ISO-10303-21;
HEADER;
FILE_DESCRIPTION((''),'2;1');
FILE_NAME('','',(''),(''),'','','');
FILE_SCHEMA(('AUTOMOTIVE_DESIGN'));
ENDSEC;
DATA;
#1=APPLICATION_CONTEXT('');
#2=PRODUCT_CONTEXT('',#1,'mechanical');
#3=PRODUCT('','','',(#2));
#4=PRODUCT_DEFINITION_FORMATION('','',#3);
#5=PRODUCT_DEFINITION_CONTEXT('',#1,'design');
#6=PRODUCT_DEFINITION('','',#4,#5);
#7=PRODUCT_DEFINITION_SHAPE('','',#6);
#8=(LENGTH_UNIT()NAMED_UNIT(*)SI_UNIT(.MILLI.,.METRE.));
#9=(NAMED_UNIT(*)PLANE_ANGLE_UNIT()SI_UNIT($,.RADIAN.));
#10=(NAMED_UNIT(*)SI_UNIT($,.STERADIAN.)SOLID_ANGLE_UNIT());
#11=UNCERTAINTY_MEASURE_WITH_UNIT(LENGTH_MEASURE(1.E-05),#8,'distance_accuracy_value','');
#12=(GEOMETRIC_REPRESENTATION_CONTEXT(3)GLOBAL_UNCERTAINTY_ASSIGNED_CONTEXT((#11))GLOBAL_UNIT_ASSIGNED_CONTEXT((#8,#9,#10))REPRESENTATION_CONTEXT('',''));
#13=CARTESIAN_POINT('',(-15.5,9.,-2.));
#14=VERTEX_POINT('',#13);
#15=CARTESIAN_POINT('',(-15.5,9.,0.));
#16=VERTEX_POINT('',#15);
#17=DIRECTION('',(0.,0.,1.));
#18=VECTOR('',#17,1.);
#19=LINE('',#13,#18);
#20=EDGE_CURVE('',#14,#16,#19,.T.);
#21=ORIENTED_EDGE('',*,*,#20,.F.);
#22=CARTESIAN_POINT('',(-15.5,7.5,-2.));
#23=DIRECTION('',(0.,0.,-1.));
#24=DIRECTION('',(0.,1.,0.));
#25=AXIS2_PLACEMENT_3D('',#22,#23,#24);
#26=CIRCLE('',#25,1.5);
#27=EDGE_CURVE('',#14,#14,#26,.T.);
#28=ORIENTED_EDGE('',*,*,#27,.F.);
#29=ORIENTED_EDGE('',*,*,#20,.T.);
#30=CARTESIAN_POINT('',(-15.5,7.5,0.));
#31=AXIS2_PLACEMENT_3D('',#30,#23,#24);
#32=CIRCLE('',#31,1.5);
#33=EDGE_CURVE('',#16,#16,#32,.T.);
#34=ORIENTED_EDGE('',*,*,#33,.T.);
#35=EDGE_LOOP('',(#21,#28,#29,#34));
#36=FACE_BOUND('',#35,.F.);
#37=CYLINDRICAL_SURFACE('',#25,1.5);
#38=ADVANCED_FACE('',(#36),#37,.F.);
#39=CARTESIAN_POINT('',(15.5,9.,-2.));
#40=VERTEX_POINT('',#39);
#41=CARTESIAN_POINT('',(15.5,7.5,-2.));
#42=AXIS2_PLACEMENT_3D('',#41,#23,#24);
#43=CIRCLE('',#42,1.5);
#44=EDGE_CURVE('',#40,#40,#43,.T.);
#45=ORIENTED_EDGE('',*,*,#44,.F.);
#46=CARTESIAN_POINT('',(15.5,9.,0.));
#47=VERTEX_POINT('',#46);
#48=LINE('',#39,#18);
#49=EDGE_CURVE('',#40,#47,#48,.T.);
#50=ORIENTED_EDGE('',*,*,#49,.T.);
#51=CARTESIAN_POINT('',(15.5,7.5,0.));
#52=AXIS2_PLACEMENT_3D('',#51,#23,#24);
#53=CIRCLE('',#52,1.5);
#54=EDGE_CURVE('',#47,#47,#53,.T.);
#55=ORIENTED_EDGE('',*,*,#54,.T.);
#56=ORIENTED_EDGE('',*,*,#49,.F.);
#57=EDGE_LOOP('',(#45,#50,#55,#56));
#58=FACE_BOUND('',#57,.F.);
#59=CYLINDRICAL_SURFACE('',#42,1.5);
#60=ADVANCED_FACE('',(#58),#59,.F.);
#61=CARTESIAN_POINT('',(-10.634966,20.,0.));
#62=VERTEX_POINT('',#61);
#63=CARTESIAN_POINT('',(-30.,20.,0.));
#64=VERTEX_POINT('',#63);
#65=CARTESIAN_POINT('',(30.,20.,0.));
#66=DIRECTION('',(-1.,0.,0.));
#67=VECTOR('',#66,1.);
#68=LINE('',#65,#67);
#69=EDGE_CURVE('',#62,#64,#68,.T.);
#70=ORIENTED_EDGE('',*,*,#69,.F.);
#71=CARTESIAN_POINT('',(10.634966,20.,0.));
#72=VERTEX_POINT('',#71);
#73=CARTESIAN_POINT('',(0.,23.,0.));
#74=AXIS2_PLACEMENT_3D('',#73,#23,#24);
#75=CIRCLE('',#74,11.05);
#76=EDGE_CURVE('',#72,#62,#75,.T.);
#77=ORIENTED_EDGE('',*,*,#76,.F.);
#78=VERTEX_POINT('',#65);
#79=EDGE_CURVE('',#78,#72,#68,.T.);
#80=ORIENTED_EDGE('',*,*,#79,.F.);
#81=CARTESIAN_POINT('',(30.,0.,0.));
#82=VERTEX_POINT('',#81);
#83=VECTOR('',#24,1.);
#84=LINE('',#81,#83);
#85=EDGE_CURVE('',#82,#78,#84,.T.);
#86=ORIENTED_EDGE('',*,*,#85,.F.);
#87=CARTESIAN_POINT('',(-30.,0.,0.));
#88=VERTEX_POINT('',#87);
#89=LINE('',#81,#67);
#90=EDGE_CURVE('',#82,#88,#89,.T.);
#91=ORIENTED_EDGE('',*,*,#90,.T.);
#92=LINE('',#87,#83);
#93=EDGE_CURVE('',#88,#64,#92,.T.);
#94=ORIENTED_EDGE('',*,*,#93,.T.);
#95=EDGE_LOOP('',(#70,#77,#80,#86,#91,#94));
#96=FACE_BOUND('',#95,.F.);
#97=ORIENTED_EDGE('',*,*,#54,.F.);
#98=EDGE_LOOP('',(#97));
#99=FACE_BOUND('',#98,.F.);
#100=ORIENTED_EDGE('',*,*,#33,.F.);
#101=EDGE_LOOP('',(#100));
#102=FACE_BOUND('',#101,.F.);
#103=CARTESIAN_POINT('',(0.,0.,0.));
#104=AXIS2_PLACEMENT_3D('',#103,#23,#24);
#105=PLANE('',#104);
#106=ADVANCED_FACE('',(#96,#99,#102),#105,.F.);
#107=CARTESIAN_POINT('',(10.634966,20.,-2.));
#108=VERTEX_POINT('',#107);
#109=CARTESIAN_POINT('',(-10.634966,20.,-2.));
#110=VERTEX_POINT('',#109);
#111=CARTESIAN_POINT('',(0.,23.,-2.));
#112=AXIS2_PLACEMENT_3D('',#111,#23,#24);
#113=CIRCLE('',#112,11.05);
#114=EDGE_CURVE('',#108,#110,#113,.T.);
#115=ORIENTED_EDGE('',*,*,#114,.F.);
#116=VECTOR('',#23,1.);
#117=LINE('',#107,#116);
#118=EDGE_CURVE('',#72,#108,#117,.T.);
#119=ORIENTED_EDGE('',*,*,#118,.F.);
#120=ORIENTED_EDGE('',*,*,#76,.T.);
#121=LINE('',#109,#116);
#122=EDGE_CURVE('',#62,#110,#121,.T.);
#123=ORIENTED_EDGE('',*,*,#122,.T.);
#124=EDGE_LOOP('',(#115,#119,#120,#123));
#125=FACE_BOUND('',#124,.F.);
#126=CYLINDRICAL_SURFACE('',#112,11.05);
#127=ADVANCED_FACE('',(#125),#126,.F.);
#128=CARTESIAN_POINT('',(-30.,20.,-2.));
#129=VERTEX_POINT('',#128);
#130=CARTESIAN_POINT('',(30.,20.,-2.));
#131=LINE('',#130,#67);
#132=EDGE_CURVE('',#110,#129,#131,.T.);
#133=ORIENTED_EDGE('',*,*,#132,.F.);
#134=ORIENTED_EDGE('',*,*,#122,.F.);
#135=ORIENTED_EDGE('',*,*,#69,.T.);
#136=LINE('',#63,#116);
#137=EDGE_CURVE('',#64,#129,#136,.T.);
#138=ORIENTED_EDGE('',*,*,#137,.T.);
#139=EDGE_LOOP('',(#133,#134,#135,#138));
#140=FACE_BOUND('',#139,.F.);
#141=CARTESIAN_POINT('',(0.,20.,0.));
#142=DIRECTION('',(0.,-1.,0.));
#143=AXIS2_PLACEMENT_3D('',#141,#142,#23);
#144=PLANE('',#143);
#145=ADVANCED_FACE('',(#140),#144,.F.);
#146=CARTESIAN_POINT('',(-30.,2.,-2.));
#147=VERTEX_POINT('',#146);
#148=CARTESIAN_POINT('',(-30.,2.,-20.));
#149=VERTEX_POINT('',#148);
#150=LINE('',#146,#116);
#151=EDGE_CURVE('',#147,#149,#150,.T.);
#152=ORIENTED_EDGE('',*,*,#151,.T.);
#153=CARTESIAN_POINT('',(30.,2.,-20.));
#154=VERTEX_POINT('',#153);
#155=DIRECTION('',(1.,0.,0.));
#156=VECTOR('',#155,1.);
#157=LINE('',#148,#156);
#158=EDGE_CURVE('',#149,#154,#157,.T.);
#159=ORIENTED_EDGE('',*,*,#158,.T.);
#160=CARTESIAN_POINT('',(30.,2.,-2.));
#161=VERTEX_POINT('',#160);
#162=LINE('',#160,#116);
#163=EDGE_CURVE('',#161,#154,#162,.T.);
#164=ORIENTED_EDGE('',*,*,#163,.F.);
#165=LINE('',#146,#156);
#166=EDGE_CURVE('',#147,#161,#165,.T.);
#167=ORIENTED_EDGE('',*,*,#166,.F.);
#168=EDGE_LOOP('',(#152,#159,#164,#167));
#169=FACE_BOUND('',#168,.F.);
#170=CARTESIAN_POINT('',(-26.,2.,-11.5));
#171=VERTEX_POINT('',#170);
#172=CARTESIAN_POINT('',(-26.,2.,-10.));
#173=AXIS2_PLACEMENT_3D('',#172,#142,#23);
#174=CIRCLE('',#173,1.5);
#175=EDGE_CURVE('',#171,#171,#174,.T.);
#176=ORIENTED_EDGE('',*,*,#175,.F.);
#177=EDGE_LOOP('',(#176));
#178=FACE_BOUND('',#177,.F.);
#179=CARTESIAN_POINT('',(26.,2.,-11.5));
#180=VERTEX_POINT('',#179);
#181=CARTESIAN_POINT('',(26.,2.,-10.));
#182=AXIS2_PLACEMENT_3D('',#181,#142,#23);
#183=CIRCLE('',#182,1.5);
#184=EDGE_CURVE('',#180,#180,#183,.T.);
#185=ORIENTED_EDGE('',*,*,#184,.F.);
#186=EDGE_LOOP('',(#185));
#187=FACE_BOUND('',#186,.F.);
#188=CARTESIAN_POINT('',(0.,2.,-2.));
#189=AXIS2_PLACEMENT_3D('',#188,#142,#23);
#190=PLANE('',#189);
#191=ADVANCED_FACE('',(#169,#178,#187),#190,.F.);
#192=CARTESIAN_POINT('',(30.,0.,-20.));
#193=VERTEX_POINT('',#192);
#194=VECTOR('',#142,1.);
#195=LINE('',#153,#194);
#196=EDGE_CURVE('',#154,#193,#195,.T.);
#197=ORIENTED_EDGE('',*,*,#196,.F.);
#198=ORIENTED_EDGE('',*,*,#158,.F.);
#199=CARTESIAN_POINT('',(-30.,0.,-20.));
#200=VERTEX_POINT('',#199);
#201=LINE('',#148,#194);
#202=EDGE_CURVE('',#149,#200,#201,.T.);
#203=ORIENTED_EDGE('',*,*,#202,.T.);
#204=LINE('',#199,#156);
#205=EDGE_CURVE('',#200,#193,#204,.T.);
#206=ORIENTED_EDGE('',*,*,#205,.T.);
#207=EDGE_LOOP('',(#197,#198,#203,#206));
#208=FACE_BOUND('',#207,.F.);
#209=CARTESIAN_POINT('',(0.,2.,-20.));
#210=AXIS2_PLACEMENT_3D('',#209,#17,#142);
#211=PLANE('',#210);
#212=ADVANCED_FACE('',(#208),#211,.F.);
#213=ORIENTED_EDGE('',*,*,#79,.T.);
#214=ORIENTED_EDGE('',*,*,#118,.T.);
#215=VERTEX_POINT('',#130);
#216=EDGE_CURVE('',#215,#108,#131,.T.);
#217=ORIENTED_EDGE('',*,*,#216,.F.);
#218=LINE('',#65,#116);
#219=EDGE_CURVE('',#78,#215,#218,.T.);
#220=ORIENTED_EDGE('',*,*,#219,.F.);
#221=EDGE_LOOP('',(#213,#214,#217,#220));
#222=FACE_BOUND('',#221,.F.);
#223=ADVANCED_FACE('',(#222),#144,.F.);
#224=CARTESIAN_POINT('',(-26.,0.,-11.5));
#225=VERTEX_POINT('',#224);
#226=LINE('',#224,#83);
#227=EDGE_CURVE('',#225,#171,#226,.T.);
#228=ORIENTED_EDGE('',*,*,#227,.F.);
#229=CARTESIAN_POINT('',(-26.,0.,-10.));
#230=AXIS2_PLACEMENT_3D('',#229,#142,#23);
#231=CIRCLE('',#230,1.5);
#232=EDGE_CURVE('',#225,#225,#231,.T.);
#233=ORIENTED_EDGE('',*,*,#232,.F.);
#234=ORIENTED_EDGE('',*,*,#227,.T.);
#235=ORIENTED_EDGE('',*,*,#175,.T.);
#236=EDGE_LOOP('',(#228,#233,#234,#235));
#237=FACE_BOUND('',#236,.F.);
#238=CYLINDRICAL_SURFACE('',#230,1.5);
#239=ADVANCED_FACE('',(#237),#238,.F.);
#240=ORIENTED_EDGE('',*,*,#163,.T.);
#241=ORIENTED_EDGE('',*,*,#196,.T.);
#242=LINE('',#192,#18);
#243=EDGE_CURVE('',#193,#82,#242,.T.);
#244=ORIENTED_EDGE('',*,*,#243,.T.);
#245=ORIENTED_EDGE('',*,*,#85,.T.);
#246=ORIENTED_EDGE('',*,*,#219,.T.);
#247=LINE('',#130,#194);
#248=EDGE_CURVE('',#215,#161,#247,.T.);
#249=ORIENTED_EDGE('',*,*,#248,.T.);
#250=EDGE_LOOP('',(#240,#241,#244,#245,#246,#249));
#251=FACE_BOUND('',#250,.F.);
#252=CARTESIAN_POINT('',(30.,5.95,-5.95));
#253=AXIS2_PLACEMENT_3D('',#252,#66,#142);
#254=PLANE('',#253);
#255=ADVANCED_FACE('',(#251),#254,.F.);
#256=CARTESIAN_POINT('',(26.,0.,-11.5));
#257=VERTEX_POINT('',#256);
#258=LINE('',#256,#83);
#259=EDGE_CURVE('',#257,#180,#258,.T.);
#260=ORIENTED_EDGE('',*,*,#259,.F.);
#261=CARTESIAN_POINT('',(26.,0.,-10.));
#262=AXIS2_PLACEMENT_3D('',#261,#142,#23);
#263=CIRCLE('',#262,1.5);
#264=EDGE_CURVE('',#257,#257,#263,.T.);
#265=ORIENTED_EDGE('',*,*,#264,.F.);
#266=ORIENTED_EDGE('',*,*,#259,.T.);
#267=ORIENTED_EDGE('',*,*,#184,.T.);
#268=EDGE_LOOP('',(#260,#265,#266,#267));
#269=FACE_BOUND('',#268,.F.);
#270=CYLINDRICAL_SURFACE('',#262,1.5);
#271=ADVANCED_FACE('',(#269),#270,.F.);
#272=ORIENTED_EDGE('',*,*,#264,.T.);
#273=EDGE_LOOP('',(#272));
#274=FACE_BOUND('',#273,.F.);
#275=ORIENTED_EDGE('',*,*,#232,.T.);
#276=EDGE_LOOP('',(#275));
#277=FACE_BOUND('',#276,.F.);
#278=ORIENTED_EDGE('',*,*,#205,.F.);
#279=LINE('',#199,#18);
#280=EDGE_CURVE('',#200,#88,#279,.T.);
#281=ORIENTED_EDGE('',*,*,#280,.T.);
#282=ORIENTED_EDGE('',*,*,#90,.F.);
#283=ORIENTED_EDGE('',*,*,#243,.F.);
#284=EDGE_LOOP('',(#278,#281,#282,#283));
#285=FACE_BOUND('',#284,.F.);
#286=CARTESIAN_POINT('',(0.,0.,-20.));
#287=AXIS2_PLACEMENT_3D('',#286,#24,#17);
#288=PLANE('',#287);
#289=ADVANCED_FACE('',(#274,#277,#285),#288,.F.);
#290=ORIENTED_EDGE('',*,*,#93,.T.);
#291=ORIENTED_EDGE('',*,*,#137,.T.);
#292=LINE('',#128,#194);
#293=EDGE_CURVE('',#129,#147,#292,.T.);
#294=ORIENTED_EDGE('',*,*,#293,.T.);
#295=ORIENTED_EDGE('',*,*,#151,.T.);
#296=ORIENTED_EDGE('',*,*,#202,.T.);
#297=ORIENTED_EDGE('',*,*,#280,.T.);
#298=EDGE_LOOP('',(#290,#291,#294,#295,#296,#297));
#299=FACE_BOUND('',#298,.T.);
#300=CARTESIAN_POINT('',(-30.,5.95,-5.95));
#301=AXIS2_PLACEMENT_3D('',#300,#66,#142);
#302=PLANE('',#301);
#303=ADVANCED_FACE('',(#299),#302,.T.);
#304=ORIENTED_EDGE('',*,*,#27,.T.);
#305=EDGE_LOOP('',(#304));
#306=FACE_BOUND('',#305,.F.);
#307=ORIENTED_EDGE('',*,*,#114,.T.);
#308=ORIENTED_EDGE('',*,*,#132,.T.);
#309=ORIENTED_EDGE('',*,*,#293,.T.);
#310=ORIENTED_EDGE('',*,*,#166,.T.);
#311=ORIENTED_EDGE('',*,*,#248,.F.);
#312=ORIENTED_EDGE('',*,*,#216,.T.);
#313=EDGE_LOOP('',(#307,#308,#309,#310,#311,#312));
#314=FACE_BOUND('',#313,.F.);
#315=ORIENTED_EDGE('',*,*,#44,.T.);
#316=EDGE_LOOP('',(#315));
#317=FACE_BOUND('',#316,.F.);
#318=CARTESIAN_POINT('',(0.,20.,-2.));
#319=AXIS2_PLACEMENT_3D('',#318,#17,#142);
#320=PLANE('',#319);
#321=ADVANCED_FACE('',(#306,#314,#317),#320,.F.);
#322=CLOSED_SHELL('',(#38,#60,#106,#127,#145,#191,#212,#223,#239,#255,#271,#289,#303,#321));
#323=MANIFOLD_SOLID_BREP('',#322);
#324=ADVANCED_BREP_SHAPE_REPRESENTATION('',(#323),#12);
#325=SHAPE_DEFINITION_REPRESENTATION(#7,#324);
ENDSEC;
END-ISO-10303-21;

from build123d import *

# Parameters (mm, degrees)
PAD_DEPTH             = 30
PAD_DEPTH_BACK        = 30
SKETCH001_R           = 11.05
SKETCH001_R_2         = 1.5
POCKET_DEPTH          = 5.54
SKETCH002_R           = 1.5
POCKET001_DEPTH       = 20.001
CLONE_PLACEMENT_ANGLE = 270


with BuildPart() as part:
    # Sketch → Pad (new body, two sides)
    with BuildSketch(Plane.XZ) as pad_sk:
        Polygon((-10, -20), (-10, 0), (10, 0), (10, -2), (-8, -2), (-8, -20), align=None)
    extrude(amount=PAD_DEPTH)
    extrude(pad_sk.sketch, amount=-PAD_DEPTH_BACK)

    # Sketch001 (on Face4 of Pad) → Pocket (cut)
    with BuildSketch(Plane(origin=(13, 0, -2), x_dir=(1, 0, 0), z_dir=(0, 0, -1))):
        Circle(SKETCH001_R)
        with Locations((-15.5, 15.5)):
            Circle(SKETCH001_R_2)
        with Locations((15.5, 15.5)):
            Circle(SKETCH001_R_2)
        with Locations((15.5, -15.5)):
            Circle(SKETCH001_R_2)
        with Locations((-15.5, -15.5)):
            Circle(SKETCH001_R_2)
    extrude(amount=-POCKET_DEPTH, mode=Mode.SUBTRACT)

    # Sketch002 (on Face1 of Pocket) → Pocket001 (cut, through all)
    with BuildSketch(Plane(origin=(-10, 0, 0), x_dir=(0, 0, -1), z_dir=(-1, 0, 0))):
        with Locations((10, 26)):
            Circle(SKETCH002_R)
        with Locations((10, -26)):
            Circle(SKETCH002_R)
    extrude(amount=-POCKET001_DEPTH, mode=Mode.SUBTRACT)


with BuildPart() as part_1:
    # Clone placement: moved
    add(part.part.moved(Location((0, 10, 0))).rotate(Axis((0, 10, 0), (0, 0, -1)), CLONE_PLACEMENT_ANGLE))


solid = part_1.part
